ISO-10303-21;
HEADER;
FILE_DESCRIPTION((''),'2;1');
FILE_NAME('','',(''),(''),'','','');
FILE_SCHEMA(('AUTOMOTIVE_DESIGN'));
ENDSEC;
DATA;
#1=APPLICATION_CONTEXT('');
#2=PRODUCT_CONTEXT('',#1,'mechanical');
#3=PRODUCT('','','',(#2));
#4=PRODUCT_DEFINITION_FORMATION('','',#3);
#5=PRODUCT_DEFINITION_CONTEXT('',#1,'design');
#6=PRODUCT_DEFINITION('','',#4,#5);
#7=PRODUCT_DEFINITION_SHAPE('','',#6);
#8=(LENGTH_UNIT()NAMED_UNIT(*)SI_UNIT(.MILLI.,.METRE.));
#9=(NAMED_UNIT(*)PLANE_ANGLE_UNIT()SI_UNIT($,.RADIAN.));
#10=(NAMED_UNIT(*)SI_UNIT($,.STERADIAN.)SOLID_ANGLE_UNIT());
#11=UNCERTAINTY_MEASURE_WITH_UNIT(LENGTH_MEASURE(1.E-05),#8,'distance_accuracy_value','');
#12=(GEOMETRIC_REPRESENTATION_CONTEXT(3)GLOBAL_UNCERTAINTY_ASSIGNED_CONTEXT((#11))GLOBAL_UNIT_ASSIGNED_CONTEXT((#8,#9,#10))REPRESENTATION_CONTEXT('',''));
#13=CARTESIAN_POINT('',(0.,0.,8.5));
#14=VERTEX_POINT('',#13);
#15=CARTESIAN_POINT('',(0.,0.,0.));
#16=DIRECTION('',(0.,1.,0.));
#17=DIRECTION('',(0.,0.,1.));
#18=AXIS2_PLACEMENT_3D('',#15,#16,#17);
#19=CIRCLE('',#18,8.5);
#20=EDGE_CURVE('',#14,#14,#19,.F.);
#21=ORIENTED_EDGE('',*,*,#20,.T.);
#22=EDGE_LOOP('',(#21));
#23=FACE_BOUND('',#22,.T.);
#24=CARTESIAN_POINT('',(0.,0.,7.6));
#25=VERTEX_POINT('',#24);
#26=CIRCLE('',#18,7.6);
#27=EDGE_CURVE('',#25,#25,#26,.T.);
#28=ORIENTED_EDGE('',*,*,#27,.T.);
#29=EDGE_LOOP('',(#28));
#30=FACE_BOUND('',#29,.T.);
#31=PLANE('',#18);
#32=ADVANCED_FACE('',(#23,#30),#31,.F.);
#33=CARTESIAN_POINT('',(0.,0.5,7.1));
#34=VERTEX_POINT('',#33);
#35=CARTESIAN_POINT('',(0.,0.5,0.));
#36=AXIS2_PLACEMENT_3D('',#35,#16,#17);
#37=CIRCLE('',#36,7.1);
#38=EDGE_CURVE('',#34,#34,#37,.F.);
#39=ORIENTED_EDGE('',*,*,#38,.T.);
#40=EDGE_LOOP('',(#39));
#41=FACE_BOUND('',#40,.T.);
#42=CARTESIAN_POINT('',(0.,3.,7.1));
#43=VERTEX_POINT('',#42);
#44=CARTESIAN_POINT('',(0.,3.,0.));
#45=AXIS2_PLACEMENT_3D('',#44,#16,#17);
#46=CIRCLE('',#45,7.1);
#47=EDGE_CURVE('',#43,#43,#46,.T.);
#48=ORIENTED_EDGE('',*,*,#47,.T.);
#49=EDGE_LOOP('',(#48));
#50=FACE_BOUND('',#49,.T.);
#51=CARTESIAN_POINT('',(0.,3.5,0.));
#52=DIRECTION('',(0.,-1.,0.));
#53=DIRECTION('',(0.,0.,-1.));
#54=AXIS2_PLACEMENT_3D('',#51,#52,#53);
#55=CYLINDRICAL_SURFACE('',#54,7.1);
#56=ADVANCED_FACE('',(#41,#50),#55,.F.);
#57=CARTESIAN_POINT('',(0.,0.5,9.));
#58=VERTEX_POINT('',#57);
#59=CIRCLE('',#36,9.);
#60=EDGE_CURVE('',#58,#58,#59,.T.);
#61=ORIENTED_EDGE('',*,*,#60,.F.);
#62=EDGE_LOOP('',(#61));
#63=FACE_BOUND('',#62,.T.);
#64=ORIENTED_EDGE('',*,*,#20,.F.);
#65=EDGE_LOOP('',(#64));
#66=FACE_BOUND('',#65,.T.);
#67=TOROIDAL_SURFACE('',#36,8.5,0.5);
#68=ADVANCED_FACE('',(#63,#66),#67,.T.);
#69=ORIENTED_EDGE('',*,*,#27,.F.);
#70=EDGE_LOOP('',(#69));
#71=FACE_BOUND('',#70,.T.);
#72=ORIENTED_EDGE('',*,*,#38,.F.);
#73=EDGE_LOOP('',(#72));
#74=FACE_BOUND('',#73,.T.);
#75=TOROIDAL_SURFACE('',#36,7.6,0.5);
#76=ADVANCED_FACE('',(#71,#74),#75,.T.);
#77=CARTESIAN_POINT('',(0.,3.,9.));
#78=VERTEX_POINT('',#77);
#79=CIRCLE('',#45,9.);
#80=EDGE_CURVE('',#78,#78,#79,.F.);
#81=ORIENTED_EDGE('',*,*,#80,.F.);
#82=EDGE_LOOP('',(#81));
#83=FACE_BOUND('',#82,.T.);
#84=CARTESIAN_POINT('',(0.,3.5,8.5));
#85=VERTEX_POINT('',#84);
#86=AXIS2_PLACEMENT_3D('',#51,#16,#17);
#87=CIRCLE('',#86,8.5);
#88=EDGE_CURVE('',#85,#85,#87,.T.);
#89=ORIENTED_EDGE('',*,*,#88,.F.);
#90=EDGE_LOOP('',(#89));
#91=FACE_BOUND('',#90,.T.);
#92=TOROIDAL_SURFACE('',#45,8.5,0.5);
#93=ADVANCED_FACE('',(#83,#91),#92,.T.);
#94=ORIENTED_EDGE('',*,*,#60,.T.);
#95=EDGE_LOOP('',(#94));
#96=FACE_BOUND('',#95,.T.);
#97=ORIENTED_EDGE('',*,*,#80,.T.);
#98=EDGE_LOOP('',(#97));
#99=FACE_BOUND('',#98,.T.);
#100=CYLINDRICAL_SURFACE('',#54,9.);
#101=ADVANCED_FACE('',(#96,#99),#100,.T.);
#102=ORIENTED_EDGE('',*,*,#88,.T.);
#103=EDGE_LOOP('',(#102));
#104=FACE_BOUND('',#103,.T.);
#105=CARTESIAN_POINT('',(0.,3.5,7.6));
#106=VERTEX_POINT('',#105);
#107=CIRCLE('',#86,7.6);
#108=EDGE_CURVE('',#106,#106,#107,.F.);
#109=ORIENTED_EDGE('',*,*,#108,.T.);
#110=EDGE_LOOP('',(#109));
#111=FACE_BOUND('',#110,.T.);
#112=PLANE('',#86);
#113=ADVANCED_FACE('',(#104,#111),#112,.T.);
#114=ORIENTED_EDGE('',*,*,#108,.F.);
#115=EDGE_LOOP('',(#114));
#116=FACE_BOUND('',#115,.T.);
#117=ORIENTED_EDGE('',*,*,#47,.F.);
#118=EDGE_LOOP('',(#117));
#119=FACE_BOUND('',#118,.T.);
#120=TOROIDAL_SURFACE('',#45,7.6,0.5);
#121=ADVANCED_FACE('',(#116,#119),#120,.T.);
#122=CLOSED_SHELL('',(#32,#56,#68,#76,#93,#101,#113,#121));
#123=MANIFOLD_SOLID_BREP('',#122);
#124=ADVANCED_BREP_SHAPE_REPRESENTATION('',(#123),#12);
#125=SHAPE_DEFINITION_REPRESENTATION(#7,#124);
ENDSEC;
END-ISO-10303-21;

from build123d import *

# Parameters (mm, degrees)
SKETCH_1_R      = 9
SKETCH_1_R_2    = 7.1
EXTRUDE_1_DEPTH = 3.5
FILLET_1_R      = 0.5


with BuildPart() as part:
    # Эскиз1 → Бобышка-Вытянуть1 (new body)
    with BuildSketch(Plane(origin=(0, 0, 0), x_dir=(1, 0, 0), z_dir=(0, 1, 0))):
        with Locations(Location((0, 0, 0), (0, 0, 270))):
            Circle(SKETCH_1_R)
        with Locations(Location((0, 0, 0), (0, 0, 270))):
            Circle(SKETCH_1_R_2, mode=Mode.SUBTRACT)
    extrude(amount=EXTRUDE_1_DEPTH)

    # Скругление1
    fillet_1_edges = [part.edges().sort_by_distance(p)[0] for p in [
        (0, 0, -9),
        (0, 3.5, -9),
        (0, 0, -7.1),
        (0, 3.5, -7.1),
    ]]
    fillet(fillet_1_edges, radius=FILLET_1_R)


solid = part.part
